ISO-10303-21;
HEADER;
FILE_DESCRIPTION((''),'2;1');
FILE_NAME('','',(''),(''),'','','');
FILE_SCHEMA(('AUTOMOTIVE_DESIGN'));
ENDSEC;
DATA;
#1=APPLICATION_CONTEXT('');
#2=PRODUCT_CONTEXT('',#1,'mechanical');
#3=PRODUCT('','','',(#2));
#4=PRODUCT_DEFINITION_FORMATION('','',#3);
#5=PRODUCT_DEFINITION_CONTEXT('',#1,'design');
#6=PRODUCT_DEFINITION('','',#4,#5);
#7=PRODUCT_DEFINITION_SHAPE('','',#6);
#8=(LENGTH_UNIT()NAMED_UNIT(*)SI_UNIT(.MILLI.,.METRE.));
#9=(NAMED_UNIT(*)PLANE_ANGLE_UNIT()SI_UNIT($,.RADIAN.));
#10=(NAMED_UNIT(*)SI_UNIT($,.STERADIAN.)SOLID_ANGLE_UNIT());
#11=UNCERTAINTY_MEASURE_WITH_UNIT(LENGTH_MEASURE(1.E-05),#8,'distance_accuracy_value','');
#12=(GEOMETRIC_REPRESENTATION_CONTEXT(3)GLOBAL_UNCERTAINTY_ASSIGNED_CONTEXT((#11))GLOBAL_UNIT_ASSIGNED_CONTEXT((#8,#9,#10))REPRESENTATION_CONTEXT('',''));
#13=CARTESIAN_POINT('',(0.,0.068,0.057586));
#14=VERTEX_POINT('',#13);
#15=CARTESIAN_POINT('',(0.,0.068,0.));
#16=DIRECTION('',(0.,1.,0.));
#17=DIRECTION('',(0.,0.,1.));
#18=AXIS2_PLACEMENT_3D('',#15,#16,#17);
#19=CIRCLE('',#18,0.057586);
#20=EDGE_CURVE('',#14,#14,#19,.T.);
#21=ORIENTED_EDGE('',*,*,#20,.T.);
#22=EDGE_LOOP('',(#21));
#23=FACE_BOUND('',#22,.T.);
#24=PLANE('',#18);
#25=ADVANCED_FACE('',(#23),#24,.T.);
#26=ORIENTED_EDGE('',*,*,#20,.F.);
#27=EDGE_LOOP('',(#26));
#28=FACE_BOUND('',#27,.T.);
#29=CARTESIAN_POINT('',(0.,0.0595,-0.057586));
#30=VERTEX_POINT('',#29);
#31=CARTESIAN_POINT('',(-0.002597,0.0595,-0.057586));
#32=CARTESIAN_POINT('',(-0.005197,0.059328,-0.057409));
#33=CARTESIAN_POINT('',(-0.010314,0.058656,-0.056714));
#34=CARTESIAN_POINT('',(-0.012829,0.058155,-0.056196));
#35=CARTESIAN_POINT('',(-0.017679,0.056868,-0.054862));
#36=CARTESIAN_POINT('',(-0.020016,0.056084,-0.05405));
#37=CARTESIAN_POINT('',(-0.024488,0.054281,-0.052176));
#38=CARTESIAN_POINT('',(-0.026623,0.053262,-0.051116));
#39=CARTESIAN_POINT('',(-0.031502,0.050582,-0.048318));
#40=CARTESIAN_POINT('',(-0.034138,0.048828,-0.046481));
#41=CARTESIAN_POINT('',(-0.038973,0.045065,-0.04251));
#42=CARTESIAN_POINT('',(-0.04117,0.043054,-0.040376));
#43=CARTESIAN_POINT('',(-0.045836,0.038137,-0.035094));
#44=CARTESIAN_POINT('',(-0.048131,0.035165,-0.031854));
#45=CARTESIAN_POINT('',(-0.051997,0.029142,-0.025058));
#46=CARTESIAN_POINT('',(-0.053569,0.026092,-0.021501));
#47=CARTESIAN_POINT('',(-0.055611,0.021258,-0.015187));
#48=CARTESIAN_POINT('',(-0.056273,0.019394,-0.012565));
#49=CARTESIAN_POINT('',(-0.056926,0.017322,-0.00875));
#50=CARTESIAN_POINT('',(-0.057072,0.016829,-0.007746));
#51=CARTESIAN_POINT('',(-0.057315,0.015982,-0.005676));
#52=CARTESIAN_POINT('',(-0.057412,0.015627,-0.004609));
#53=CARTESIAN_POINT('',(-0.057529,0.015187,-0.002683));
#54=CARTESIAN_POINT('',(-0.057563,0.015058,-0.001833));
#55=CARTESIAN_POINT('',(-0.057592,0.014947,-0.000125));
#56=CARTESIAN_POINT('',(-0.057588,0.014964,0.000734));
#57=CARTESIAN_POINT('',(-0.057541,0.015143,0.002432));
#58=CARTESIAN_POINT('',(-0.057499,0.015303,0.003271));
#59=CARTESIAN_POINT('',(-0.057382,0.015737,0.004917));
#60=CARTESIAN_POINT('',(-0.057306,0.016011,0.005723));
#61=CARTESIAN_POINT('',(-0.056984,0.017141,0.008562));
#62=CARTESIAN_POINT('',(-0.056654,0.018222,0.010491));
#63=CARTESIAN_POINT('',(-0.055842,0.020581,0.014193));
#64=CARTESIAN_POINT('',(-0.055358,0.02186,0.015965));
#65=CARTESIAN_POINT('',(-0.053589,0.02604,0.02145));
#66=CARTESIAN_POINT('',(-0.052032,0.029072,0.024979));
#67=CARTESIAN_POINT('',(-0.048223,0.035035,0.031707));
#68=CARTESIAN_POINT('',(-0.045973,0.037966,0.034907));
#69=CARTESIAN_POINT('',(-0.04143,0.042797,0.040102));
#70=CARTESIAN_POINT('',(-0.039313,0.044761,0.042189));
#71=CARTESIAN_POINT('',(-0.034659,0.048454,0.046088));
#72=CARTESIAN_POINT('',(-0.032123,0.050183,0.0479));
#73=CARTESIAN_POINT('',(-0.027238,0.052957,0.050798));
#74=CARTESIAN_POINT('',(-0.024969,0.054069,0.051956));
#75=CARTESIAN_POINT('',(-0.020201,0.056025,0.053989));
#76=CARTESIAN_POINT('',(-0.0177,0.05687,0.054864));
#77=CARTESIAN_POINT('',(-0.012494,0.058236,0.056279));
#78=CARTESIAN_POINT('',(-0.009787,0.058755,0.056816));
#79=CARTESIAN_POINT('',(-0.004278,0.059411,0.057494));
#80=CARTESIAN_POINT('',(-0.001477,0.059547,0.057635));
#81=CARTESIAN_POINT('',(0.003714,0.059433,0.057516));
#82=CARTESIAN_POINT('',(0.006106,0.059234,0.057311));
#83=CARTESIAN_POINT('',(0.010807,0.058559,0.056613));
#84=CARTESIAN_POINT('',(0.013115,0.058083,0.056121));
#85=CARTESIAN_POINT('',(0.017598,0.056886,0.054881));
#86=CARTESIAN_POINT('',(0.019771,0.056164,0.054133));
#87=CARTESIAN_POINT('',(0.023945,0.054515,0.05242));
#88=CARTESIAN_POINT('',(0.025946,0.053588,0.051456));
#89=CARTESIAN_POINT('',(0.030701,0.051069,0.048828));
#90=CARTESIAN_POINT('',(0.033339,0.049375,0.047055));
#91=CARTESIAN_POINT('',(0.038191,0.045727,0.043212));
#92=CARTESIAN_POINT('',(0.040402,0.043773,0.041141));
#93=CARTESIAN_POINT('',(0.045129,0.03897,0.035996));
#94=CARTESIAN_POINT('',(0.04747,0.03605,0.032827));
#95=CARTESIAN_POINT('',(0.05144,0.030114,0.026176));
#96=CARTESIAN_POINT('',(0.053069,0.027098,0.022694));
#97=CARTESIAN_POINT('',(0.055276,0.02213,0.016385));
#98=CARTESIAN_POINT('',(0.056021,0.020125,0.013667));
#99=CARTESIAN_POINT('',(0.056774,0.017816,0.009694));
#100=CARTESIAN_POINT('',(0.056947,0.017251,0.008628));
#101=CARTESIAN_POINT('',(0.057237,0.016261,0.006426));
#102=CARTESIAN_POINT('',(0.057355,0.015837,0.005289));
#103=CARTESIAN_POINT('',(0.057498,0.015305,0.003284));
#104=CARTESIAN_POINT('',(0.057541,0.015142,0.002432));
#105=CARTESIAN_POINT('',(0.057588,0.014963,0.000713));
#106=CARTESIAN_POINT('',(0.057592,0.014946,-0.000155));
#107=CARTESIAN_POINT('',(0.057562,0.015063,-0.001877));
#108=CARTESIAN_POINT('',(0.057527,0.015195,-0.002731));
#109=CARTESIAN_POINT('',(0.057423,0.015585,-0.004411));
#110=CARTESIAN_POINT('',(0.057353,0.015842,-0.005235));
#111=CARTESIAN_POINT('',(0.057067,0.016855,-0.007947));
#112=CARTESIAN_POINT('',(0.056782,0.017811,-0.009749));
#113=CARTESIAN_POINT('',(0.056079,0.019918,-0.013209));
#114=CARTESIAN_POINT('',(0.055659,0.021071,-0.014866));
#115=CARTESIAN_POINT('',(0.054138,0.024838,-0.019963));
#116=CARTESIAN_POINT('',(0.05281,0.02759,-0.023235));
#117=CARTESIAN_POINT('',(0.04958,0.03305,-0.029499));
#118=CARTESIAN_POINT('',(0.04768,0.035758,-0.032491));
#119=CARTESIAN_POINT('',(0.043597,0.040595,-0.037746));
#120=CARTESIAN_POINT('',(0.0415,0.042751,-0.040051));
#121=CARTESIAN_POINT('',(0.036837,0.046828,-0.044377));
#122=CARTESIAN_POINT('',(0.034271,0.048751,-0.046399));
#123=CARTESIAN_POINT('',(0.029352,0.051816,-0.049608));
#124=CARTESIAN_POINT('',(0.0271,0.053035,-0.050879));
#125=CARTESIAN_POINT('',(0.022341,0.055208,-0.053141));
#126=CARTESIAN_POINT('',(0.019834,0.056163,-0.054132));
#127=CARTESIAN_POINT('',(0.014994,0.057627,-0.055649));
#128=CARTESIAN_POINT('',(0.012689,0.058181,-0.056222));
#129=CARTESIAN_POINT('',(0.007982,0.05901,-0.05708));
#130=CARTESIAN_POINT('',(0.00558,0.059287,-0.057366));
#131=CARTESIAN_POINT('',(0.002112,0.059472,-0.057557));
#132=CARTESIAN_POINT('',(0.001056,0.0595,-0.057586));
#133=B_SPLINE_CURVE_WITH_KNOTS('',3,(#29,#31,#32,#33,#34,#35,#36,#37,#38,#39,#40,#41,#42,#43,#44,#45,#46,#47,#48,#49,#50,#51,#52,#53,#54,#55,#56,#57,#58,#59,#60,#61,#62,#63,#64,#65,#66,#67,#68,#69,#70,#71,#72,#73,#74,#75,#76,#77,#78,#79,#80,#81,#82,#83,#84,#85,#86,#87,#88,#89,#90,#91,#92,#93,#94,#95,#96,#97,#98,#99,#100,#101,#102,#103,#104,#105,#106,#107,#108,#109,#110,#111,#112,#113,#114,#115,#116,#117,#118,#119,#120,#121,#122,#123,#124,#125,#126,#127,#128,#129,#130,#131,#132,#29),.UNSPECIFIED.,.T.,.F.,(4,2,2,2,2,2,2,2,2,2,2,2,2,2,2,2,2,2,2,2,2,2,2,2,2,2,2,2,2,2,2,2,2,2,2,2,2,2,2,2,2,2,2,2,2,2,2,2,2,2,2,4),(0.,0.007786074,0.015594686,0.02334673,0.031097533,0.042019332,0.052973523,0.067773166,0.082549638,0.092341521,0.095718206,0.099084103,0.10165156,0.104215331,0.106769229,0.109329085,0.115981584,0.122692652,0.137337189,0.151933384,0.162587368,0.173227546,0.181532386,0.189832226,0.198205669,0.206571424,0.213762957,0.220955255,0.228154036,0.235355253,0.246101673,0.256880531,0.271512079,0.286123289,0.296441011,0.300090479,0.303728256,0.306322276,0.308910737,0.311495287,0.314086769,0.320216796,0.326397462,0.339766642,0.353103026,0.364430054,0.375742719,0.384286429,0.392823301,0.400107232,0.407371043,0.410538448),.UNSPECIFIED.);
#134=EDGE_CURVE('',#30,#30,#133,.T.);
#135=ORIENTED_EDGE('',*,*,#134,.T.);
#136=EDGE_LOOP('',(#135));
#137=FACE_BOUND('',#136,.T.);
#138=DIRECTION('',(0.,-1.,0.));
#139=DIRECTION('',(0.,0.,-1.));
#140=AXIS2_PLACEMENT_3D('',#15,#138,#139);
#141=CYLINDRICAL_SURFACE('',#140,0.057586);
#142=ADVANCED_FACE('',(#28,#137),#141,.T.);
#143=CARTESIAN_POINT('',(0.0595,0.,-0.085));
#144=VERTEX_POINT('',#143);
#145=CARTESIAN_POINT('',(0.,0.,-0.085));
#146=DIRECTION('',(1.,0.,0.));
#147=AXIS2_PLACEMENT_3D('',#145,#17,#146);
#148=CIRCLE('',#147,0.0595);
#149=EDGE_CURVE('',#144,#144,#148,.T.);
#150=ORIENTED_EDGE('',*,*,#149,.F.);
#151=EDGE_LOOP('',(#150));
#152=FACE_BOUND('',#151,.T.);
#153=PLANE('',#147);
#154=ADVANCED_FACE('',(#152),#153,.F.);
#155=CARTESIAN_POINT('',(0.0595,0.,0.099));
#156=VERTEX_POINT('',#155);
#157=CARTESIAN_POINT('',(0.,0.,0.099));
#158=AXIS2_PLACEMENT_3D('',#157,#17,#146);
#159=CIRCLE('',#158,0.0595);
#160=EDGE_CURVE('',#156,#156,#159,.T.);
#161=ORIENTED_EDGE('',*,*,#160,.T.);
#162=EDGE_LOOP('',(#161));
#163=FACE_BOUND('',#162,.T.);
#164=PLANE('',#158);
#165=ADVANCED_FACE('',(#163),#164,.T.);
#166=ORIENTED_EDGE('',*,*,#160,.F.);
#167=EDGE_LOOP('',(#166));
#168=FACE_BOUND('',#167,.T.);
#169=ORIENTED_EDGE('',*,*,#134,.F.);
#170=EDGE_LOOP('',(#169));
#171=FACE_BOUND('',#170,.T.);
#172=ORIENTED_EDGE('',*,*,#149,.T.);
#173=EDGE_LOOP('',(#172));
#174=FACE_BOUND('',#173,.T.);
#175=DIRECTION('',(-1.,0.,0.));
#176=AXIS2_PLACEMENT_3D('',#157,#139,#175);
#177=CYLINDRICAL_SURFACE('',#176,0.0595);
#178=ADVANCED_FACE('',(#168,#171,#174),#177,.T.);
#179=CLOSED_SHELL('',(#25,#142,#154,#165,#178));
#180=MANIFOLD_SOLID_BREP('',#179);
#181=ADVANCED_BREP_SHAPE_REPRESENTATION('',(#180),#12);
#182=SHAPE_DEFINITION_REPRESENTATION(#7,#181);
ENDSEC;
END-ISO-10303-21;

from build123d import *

# Parameters (mm, degrees)
BOSS_EXTRUDE1_START = -0.085
SKETCH1_R           = 0.0595
BOSS_EXTRUDE1_DEPTH = 0.184
SKETCH2_R           = 0.057585975
BOSS_EXTRUDE2_DEPTH = 0.068


with BuildPart() as part:
    # Sketch1 → Boss-Extrude1 (new body)
    with BuildSketch(Plane.XY.offset(BOSS_EXTRUDE1_START)):
        Circle(SKETCH1_R)
    extrude(amount=BOSS_EXTRUDE1_DEPTH)

    # Sketch2 → Boss-Extrude2 (add)
    with BuildSketch(Plane(origin=(0, 0, 0), x_dir=(1, 0, 0), z_dir=(0, 1, 0))):
        with Locations(Location((0, 0, 0), (0, 0, 90))):
            Circle(SKETCH2_R)
    extrude(amount=BOSS_EXTRUDE2_DEPTH)


solid = part.part
